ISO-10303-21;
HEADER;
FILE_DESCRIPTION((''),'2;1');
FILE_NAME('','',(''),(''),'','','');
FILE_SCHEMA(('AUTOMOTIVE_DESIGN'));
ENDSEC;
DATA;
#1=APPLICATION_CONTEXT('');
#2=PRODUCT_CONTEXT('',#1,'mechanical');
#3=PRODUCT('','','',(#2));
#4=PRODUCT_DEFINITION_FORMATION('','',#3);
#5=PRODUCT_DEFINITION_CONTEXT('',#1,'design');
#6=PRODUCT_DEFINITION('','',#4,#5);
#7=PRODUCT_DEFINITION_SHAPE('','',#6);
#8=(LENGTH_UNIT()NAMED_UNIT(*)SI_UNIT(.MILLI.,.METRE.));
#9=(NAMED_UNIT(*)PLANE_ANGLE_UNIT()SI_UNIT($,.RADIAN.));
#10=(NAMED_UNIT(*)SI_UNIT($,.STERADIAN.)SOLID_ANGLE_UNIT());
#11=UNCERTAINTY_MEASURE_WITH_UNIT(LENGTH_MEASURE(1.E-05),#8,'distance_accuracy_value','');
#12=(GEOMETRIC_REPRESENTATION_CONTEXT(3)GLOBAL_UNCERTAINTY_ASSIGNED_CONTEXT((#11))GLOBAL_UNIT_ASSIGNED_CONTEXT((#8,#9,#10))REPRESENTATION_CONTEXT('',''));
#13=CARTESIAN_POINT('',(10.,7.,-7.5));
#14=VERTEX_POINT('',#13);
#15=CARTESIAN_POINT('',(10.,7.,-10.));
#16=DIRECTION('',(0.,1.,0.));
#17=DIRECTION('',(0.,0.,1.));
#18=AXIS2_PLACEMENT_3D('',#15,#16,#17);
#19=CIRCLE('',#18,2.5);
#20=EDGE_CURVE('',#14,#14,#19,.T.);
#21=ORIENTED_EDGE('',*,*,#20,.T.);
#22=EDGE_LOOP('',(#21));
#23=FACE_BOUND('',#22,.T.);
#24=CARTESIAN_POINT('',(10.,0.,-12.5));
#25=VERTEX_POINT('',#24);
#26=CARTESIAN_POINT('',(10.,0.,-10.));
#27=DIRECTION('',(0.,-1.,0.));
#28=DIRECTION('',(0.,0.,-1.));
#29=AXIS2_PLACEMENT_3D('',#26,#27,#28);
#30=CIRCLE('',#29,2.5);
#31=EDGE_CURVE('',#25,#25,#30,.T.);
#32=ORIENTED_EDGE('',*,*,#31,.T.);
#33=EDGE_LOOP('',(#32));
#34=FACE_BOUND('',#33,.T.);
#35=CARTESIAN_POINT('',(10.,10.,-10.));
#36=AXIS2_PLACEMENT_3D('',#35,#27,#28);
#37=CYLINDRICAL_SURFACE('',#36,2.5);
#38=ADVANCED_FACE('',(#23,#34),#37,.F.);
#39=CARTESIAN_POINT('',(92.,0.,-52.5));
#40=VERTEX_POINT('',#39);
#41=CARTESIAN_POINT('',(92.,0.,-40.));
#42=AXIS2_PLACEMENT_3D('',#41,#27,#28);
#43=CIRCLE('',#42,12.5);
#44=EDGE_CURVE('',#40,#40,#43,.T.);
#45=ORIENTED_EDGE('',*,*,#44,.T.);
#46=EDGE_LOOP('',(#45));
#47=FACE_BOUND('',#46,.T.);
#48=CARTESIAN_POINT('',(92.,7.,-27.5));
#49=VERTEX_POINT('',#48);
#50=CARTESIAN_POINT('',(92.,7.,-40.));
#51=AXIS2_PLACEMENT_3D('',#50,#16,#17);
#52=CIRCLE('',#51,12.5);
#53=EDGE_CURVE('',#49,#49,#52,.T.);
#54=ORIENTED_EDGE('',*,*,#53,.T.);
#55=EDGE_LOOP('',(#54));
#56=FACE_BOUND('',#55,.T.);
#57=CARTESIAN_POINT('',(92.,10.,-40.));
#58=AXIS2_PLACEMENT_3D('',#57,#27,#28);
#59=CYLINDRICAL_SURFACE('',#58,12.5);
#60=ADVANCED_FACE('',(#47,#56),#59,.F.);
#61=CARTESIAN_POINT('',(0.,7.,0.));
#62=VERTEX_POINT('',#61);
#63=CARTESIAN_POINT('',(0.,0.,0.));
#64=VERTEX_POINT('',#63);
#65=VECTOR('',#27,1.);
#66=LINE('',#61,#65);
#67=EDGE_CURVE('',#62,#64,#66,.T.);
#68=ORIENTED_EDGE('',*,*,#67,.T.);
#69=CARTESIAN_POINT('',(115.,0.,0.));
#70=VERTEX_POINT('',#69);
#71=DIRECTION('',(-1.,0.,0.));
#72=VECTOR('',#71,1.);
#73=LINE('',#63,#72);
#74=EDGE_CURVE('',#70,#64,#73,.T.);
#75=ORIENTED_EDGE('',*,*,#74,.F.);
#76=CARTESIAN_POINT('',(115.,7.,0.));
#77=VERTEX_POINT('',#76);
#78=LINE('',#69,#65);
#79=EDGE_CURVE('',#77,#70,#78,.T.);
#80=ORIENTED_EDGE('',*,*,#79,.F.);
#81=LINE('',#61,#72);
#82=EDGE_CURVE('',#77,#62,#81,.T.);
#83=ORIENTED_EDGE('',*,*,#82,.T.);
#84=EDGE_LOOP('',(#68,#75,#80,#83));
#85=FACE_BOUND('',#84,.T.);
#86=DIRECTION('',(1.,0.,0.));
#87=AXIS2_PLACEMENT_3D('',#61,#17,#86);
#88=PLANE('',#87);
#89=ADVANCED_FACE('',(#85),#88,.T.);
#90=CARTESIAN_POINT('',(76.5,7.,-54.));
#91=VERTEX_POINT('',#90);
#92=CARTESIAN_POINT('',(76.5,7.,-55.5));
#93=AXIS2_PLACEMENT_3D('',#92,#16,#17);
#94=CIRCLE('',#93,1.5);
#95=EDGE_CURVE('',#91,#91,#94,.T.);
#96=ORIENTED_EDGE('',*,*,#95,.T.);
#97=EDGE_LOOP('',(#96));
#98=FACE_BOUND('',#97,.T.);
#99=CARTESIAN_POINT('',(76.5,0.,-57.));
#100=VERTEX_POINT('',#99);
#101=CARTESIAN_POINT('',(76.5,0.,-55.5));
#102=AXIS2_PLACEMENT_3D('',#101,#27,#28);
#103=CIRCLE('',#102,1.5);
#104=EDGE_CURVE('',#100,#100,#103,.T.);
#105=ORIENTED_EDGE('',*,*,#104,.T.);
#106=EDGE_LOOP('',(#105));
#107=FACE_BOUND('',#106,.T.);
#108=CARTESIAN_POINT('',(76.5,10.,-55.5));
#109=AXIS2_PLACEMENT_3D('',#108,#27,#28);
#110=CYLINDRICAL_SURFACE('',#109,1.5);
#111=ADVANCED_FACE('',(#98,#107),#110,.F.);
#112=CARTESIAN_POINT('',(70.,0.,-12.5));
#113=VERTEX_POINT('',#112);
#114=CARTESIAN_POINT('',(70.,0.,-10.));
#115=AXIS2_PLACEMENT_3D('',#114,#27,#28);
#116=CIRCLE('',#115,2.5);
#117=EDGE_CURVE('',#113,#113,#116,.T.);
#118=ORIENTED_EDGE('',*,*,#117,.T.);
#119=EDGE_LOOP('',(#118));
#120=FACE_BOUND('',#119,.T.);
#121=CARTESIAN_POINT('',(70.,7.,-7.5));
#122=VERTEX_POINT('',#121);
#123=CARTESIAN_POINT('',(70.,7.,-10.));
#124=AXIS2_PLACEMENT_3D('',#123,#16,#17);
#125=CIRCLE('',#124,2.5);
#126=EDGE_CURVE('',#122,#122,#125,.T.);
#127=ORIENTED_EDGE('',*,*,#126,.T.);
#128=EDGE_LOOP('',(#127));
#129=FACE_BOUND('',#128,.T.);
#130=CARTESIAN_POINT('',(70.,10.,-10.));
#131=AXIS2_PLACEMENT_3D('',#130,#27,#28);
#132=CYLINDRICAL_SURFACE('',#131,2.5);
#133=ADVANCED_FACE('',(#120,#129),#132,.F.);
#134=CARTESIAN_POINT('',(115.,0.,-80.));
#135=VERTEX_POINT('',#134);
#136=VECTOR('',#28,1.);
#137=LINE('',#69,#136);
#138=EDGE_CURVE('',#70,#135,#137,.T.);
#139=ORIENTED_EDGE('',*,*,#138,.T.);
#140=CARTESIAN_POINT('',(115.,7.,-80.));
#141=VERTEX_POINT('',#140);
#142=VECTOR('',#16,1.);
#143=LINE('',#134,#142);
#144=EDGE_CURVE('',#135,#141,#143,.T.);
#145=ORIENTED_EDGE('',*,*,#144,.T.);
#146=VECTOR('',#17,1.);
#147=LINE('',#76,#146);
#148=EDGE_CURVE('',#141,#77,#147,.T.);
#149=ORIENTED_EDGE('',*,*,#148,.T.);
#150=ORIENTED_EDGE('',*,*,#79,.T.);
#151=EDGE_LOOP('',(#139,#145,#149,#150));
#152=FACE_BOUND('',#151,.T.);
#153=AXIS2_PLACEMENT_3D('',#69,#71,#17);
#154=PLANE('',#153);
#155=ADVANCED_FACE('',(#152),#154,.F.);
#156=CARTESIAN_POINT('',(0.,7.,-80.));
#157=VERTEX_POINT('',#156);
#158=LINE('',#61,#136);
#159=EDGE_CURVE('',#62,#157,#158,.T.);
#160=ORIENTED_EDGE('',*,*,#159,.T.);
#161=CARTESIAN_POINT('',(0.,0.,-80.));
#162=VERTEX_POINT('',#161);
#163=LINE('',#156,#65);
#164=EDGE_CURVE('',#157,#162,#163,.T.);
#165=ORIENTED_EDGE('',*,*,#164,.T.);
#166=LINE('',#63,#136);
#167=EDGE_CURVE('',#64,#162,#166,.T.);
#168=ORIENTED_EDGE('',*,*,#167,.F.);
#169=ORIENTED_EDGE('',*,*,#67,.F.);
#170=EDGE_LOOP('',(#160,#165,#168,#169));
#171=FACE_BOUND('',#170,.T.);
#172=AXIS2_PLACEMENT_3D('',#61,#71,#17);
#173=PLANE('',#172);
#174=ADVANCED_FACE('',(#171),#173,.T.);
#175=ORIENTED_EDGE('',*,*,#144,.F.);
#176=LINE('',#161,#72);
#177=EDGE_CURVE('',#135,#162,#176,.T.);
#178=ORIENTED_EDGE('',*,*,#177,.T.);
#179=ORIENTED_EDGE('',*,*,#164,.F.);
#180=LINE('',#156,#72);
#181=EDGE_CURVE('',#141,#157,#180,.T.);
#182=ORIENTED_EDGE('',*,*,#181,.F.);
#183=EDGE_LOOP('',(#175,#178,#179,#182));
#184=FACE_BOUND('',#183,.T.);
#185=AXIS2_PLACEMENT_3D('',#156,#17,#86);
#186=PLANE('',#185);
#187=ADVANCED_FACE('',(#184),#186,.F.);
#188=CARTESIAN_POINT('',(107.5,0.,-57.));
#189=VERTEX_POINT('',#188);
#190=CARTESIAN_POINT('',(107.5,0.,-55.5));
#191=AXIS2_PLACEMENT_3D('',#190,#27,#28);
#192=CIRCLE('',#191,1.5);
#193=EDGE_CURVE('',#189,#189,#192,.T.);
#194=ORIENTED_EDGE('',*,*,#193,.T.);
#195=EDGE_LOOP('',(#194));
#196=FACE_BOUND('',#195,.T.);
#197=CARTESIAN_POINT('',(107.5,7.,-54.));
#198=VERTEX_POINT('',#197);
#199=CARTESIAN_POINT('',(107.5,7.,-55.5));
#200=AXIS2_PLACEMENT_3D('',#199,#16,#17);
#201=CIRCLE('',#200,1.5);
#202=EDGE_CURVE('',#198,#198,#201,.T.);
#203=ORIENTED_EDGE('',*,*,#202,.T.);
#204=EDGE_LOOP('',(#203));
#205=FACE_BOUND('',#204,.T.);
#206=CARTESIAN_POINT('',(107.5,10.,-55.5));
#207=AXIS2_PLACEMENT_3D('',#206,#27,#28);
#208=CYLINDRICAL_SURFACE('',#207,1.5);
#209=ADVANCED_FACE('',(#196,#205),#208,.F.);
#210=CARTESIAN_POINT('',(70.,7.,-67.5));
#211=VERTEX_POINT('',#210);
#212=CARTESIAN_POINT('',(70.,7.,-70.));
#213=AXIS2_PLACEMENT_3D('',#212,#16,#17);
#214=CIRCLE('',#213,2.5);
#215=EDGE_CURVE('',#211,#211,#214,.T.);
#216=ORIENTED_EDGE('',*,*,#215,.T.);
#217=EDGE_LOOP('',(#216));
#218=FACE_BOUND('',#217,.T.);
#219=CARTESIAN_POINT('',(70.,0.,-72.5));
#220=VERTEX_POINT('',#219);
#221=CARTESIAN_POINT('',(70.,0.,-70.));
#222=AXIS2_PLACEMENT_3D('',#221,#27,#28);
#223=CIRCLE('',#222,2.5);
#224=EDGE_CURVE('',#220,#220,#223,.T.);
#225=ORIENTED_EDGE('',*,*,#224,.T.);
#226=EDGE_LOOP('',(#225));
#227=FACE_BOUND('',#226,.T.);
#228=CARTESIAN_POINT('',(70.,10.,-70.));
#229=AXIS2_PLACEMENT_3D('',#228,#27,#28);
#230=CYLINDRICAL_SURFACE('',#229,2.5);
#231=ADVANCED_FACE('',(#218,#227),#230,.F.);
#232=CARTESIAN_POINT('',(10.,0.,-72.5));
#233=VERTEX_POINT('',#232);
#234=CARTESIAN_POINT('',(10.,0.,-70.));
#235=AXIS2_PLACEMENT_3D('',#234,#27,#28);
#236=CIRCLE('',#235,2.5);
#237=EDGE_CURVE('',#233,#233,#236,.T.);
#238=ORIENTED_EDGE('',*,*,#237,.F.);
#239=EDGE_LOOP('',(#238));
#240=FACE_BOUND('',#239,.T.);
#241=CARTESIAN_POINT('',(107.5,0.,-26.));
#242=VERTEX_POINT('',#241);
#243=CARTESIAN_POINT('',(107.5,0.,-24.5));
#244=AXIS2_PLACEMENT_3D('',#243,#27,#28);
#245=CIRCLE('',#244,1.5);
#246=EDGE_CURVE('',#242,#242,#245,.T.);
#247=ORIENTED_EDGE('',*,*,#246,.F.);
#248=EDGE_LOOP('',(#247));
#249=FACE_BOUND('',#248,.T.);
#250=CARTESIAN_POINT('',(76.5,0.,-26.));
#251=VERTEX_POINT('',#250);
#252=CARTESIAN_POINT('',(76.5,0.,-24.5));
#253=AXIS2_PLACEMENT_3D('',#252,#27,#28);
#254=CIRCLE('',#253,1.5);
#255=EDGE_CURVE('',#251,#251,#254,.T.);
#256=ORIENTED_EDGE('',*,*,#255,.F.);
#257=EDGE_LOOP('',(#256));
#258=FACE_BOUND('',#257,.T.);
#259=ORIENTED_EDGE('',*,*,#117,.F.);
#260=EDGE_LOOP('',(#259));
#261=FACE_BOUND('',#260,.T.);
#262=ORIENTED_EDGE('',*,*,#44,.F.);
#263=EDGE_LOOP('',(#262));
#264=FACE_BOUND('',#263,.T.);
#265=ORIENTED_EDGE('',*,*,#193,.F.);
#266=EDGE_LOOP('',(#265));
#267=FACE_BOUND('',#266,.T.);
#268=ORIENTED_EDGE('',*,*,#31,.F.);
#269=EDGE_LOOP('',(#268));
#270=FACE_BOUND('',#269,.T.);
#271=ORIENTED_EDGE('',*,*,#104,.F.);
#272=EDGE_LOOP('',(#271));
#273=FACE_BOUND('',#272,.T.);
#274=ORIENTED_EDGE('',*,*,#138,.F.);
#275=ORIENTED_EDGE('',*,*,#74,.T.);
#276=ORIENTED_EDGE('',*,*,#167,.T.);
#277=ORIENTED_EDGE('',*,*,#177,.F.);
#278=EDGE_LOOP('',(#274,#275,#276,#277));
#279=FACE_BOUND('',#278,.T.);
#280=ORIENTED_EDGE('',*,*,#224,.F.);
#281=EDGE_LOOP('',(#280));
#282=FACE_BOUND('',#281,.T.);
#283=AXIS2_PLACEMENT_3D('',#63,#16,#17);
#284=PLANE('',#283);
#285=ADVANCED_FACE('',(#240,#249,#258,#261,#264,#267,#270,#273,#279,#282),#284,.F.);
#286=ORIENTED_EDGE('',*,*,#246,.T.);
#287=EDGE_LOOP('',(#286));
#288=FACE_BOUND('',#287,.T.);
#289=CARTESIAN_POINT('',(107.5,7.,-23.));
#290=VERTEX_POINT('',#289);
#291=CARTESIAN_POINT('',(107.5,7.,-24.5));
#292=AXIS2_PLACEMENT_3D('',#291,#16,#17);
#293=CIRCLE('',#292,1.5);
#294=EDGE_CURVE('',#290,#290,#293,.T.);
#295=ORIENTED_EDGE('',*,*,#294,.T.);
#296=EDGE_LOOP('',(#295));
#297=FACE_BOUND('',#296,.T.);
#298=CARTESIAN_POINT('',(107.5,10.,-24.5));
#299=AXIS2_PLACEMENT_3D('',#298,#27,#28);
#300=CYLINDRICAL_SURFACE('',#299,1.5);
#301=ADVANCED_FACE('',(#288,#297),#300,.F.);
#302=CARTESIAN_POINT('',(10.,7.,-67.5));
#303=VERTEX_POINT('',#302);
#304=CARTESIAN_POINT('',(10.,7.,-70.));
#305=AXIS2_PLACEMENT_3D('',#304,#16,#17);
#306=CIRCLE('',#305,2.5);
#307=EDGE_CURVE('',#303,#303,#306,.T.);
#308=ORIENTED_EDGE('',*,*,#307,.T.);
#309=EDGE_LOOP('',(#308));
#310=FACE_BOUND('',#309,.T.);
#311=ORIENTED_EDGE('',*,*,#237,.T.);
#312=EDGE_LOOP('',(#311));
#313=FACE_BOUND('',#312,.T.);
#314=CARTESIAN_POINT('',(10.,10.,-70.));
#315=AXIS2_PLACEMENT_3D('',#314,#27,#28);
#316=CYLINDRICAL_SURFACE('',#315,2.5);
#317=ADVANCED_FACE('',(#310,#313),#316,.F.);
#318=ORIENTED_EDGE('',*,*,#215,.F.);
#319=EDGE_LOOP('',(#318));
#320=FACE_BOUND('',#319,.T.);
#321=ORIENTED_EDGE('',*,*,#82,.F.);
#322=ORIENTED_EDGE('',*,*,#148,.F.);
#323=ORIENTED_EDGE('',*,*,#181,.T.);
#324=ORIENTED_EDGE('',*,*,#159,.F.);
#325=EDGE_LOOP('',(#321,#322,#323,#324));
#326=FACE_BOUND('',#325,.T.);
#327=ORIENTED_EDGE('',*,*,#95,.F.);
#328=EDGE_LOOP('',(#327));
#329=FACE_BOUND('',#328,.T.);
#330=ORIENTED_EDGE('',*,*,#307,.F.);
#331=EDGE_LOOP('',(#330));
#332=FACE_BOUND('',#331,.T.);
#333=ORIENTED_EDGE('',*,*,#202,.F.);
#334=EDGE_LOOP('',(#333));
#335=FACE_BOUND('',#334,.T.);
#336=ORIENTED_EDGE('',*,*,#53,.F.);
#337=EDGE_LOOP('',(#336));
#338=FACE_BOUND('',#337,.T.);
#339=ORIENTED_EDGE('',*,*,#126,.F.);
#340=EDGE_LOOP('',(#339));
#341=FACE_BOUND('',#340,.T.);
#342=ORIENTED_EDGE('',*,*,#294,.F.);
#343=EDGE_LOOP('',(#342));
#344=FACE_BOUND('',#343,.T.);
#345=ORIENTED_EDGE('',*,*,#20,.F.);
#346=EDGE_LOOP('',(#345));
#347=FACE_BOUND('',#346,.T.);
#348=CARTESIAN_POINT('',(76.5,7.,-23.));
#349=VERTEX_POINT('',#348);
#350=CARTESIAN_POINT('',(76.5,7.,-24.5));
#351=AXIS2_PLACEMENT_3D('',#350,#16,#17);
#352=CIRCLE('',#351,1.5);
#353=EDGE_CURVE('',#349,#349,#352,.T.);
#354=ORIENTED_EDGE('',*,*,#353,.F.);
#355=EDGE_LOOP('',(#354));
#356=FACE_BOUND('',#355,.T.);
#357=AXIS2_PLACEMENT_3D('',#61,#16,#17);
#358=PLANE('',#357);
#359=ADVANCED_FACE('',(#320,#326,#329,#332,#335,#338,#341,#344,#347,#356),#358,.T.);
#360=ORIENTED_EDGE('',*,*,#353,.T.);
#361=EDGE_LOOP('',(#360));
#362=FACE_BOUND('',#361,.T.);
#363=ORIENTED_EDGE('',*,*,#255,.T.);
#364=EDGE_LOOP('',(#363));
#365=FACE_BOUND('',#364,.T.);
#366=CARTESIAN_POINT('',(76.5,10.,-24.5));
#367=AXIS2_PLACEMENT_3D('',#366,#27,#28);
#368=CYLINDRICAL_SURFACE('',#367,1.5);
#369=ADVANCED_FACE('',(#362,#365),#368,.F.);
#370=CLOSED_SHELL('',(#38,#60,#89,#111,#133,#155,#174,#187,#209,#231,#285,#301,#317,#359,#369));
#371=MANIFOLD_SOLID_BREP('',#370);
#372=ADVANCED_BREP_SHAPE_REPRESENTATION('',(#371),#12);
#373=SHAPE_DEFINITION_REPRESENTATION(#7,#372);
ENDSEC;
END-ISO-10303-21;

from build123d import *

# Parameters (mm, degrees)
SKETCH1_W           = 80
SKETCH1_H           = 80
BOSS_EXTRUDE1_DEPTH = 7
SKETCH2_R           = 2.5
CUT_EXTRUDE1_DEPTH  = 10
SKETCH4_W           = 80
SKETCH4_H           = 7
BOSS_EXTRUDE2_DEPTH = 35
SKETCH3_R           = 1.5
SKETCH3_R_2         = 12.5
CUT_EXTRUDE2_DEPTH  = 10


with BuildPart() as part:
    # Sketch1 → Boss-Extrude1 (new body)
    with BuildSketch(Plane(origin=(0, 0, 0), x_dir=(1, 0, 0), z_dir=(0, 1, 0))):
        with Locations((40, 40)):
            Rectangle(SKETCH1_W, SKETCH1_H)
    extrude(amount=BOSS_EXTRUDE1_DEPTH)

    # Sketch2 → Cut-Extrude1 (cut)
    with BuildSketch(Plane.XZ):
        with Locations(Location((70, -70, 0), (0, 0, 270))):
            Circle(SKETCH2_R)
        with Locations(Location((70, -10, 0), (0, 0, 270))):
            Circle(SKETCH2_R)
        with Locations(Location((10, -10, 0), (0, 0, 270))):
            Circle(SKETCH2_R)
        with Locations(Location((10, -70, 0), (0, 0, 270))):
            Circle(SKETCH2_R)
    extrude(amount=-CUT_EXTRUDE1_DEPTH, mode=Mode.SUBTRACT)

    # Sketch4 → Boss-Extrude2 (add)
    with BuildSketch(Plane(origin=(80, 0, 0), x_dir=(0, 0, -1), z_dir=(1, 0, 0))):
        with Locations((40, 3.5)):
            Rectangle(SKETCH4_W, SKETCH4_H)
    extrude(amount=BOSS_EXTRUDE2_DEPTH)

    # Sketch3 → Cut-Extrude2 (cut)
    with BuildSketch(Plane.XZ):
        with Locations(Location((107.5, -24.5, 0), (0, 0, 270))):
            Circle(SKETCH3_R)
        with Locations(Location((107.5, -55.5, 0), (0, 0, 270))):
            Circle(SKETCH3_R)
        with Locations(Location((76.5, -55.5, 0), (0, 0, 270))):
            Circle(SKETCH3_R)
        with Locations(Location((76.5, -24.5, 0), (0, 0, 270))):
            Circle(SKETCH3_R)
        with Locations(Location((92, -40, 0), (0, 0, 270))):
            Circle(SKETCH3_R_2)
    extrude(amount=-CUT_EXTRUDE2_DEPTH, mode=Mode.SUBTRACT)


solid = part.part
